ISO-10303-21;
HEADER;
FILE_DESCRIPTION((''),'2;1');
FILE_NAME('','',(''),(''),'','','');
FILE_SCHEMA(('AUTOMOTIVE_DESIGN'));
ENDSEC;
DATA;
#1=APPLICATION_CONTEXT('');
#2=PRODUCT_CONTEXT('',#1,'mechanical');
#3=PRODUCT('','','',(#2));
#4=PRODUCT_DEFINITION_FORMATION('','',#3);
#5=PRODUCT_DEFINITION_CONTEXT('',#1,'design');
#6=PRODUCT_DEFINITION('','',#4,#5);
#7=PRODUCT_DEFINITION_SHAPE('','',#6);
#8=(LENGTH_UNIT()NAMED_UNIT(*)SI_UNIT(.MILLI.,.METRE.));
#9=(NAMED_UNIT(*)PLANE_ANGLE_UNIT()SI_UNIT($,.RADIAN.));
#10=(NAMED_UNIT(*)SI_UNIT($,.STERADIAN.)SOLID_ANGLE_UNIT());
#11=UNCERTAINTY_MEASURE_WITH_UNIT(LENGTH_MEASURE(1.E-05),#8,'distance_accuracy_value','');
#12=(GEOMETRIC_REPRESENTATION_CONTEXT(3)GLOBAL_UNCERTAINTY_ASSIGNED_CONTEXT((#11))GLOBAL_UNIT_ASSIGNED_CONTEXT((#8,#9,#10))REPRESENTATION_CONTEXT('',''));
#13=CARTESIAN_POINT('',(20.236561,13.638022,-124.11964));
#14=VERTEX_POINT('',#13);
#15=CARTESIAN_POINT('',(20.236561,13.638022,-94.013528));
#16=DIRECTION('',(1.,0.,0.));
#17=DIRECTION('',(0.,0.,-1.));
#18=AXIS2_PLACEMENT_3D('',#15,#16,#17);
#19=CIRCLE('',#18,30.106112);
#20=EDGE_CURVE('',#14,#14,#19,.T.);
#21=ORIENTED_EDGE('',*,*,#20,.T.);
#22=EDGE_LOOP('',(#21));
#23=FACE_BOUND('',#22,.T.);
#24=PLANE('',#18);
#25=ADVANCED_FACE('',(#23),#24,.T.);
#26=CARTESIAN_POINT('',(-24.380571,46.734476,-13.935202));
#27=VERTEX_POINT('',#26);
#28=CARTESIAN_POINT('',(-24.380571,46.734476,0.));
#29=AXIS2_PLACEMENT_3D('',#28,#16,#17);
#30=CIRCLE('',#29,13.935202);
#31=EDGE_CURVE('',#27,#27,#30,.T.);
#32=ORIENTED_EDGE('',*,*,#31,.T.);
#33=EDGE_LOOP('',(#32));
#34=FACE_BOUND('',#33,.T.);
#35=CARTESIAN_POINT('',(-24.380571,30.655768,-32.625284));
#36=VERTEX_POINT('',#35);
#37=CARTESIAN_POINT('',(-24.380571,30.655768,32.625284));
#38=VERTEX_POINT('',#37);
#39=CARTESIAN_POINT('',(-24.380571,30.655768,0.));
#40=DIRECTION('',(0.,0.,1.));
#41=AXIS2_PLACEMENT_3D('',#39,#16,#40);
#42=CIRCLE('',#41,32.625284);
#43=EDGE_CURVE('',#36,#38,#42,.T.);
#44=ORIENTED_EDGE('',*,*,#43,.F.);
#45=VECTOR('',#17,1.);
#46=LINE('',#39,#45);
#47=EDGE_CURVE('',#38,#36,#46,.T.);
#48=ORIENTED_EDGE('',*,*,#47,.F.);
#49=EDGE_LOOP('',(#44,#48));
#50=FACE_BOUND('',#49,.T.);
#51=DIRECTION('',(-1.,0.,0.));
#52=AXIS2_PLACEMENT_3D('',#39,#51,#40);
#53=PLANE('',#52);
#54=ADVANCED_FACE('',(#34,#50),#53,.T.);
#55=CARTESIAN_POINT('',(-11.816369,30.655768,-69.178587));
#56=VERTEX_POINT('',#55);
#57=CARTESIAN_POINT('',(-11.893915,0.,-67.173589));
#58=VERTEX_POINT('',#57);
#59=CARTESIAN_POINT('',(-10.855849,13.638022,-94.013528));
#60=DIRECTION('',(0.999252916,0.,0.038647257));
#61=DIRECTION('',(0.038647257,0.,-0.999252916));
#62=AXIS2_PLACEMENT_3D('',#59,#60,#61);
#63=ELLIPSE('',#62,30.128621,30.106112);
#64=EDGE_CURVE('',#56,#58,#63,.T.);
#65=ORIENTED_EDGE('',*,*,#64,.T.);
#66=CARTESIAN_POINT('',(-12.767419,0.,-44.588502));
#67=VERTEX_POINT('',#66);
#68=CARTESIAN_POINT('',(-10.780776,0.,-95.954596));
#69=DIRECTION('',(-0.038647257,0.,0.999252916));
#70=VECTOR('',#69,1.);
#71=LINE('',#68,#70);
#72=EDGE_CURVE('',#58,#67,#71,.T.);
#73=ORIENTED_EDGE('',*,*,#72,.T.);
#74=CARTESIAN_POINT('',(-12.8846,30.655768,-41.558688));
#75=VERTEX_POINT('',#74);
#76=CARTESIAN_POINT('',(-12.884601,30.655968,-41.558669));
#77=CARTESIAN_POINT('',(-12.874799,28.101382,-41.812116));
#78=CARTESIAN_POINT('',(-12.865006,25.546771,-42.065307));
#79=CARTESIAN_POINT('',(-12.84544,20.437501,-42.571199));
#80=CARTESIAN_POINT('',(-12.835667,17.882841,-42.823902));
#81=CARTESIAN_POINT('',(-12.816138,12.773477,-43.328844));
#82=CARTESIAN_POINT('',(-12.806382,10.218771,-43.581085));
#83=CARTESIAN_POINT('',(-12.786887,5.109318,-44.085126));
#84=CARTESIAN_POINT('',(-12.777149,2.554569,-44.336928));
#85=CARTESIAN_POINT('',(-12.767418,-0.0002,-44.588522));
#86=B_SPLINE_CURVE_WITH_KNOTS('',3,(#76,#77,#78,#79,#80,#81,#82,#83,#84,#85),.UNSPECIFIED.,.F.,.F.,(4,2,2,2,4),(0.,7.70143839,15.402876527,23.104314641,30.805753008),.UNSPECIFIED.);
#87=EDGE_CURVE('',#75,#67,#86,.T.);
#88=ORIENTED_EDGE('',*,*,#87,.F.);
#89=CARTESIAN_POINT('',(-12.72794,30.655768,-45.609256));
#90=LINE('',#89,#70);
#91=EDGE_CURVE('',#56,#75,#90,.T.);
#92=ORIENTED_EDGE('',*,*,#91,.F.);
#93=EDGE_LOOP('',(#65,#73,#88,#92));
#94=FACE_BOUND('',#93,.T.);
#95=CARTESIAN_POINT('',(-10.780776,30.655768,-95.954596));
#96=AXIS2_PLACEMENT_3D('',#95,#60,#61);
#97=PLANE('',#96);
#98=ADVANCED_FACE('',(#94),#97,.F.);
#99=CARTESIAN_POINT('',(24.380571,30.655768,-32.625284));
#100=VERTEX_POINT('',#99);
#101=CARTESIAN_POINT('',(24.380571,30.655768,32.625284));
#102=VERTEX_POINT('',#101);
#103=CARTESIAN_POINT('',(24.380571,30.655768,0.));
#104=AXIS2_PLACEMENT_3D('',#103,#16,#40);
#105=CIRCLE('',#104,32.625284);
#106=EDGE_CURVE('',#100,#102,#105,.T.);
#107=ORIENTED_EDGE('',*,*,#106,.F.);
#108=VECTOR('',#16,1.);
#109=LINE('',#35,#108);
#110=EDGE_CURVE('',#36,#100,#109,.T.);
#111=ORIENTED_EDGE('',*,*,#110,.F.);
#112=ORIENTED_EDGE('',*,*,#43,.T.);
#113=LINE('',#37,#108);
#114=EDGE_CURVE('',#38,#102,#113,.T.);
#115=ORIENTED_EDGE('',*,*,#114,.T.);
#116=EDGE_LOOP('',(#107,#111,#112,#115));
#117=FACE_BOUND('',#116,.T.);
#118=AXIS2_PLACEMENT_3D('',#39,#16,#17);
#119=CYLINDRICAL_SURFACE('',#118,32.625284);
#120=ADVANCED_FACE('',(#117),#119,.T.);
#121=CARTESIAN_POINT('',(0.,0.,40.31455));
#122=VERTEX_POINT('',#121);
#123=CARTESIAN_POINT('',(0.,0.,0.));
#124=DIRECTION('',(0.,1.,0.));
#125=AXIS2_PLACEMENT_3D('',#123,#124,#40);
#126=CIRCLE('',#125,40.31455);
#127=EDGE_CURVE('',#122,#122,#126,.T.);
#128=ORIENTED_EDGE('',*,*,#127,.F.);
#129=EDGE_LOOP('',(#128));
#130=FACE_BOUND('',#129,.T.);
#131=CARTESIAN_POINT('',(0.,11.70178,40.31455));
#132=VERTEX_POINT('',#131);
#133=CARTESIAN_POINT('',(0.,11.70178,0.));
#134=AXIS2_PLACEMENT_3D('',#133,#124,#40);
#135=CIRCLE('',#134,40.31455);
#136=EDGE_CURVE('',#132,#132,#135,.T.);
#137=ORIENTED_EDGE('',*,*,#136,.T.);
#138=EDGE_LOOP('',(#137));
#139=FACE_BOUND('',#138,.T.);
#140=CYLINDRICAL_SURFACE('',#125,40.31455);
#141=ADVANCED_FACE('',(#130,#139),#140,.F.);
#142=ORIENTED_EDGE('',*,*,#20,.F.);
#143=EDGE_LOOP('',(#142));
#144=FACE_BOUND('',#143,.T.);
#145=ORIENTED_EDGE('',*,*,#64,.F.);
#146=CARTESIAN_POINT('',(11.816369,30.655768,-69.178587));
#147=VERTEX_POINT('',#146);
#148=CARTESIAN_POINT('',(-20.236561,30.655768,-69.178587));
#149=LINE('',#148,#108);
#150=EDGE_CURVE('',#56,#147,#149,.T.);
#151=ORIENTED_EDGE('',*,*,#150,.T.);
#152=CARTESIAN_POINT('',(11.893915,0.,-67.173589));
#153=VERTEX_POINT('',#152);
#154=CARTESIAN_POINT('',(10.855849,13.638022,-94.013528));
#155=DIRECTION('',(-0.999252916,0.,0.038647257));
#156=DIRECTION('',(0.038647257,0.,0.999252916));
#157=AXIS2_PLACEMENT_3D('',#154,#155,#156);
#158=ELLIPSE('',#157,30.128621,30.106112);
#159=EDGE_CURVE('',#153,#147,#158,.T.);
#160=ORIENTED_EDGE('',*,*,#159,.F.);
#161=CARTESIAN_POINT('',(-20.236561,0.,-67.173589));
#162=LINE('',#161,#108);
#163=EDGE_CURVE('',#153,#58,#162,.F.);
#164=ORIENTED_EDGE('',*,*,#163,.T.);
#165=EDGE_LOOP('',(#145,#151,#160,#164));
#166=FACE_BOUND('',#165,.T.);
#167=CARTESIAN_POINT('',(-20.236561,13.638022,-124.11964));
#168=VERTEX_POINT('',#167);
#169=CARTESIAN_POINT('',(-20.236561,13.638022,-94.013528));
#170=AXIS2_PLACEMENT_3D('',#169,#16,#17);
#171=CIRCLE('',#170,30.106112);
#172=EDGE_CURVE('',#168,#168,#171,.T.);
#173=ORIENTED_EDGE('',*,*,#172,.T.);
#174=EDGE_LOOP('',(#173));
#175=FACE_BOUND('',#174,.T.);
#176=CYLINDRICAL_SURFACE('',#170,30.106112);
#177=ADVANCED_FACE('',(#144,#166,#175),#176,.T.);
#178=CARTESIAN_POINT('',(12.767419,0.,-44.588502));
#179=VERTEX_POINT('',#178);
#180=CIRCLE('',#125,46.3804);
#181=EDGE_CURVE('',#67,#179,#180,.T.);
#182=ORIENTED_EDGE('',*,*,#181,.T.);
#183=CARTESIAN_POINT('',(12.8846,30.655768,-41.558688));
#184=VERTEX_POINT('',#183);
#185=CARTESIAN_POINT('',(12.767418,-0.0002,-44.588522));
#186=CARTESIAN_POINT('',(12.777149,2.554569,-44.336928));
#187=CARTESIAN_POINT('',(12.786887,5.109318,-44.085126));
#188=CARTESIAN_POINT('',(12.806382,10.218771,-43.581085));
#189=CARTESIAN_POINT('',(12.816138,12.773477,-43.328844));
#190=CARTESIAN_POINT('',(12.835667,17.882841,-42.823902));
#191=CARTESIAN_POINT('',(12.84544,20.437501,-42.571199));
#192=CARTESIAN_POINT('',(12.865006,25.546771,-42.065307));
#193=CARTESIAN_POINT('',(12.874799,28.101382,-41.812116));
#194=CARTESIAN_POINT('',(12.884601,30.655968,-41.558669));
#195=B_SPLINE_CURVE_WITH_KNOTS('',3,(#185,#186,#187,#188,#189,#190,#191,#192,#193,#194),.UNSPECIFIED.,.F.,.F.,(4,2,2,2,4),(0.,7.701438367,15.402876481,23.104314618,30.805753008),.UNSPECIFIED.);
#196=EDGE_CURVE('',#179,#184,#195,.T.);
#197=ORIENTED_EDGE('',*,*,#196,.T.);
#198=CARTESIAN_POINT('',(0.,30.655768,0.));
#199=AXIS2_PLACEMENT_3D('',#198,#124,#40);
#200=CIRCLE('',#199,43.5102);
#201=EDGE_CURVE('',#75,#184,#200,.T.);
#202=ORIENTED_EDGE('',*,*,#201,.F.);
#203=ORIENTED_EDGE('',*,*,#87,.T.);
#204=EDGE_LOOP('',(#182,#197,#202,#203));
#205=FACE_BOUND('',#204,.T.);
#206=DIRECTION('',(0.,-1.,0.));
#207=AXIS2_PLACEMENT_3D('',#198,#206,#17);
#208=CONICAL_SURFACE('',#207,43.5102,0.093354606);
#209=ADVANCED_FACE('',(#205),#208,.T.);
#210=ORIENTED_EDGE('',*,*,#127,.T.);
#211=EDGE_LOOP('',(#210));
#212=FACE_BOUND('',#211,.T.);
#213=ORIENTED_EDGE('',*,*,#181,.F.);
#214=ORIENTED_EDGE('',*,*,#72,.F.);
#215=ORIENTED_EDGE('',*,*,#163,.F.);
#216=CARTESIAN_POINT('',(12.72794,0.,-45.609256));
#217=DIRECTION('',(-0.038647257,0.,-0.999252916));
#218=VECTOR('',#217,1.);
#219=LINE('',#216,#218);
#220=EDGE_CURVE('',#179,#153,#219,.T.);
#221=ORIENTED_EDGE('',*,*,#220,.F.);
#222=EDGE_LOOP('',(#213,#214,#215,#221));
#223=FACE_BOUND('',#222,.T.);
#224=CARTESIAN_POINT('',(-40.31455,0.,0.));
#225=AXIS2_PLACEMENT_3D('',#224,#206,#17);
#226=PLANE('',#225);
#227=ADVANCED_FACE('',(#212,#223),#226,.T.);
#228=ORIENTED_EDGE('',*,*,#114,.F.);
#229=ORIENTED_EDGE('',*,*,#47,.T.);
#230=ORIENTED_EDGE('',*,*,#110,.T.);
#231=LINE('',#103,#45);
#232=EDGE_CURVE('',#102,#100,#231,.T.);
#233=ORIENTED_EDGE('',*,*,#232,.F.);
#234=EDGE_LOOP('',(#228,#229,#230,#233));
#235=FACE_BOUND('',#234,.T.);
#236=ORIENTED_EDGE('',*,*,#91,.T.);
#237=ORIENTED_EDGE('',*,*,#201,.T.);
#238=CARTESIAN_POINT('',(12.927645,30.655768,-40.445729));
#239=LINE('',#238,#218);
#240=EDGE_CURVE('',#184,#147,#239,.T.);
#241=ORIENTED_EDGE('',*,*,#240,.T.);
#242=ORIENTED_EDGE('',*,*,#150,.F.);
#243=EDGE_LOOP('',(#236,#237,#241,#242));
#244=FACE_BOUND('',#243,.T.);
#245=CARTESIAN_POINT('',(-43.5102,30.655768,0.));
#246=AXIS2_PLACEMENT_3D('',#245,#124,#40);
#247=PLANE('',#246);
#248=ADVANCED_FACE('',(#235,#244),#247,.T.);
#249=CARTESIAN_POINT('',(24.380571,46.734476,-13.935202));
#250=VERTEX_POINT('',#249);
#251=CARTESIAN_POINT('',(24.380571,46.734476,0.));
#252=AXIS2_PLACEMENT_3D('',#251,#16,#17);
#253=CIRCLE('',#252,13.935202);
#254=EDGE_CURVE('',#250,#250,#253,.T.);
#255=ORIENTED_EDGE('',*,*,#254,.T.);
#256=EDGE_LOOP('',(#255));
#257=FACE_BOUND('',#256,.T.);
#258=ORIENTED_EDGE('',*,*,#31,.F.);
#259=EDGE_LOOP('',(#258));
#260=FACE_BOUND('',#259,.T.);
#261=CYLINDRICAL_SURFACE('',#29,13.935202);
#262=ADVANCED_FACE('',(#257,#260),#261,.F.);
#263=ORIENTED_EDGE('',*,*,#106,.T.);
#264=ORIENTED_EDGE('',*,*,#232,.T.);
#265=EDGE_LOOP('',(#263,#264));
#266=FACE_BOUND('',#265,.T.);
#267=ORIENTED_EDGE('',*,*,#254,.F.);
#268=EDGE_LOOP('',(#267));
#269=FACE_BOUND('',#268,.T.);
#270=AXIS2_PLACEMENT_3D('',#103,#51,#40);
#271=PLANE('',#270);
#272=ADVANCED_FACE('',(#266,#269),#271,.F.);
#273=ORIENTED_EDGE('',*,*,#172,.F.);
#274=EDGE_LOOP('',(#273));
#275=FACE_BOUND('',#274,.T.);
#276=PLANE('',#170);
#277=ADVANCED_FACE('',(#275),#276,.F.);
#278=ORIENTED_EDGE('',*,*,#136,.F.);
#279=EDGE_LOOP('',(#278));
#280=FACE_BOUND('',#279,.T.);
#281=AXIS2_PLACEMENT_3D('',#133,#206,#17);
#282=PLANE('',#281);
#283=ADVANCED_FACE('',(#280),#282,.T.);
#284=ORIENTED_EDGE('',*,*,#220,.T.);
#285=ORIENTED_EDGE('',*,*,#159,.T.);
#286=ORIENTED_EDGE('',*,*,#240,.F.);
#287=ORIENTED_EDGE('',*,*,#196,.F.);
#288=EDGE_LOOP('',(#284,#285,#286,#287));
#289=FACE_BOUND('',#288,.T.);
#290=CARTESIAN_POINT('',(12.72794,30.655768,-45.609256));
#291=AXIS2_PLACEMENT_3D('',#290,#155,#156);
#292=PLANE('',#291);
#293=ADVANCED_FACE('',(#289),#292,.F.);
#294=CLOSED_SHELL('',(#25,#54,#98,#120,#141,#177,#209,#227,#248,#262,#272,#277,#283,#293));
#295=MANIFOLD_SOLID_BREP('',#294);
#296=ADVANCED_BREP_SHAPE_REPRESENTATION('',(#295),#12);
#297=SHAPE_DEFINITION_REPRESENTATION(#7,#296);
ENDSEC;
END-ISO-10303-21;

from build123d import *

# Parameters (mm, degrees)
BOSS_EXTRUDE1_DEPTH      = 24.380571
BOSS_EXTRUDE1_DEPTH_BACK = 24.380571
SKETCH2_R                = 13.935202
BOSS_EXTRUDE2_DEPTH      = 30.655768
BOSS_EXTRUDE3_DEPTH      = 20.236561
BOSS_EXTRUDE3_DEPTH_BACK = 20.236561
SKETCH5_R                = 30.106112


with BuildPart() as part:
    # Sketch1 → Revolve1 (revolve)
    with BuildSketch(Plane.XY):
        Polygon((-40.3145498, 0), (-46.3804, 0), (-43.5102, 30.655768), (0, 30.655768), (0, 11.70178), (-40.3145498, 11.70178), align=None)
    revolve(axis=Axis((0, 0, 0), (0, -1, 0)))

    # Sketch2 → Boss-Extrude1 (add, two sides: drawn at the far end of the back side and taken through both)
    with BuildSketch(Plane(origin=(0, 0, 0), x_dir=(0, 0, -1), z_dir=(1, 0, 0)).offset(-BOSS_EXTRUDE1_DEPTH_BACK)):
        with BuildLine():
            Line((0, 30.655768), (-32.625284, 30.655768))
            ThreePointArc((-32.625284, 30.655768), (0, 63.281052), (32.625284, 30.655768))
            Line((32.625284, 30.655768), (0, 30.655768))
        make_face()
        with Locations((0, 46.734476)):
            Circle(SKETCH2_R, mode=Mode.SUBTRACT)
    extrude(amount=BOSS_EXTRUDE1_DEPTH + BOSS_EXTRUDE1_DEPTH_BACK)

    # Sketch4 → Boss-Extrude2 (add)
    with BuildSketch(Plane(origin=(0, 0, 0), x_dir=(1, 0, 0), z_dir=(0, 1, 0))):
        Polygon((12.72794, 45.609256), (10.780776, 95.954596), (-10.780776, 95.954596), (-12.72794, 45.609256), (-12.927645356, 40.445728926), (12.927645356, 40.445728926), align=None)
    extrude(amount=BOSS_EXTRUDE2_DEPTH)

    # Sketch5 → Boss-Extrude3 (add, two sides: drawn at the far end of the back side and taken through both)
    with BuildSketch(Plane(origin=(0, 0, 0), x_dir=(0, 0, -1), z_dir=(1, 0, 0)).offset(-BOSS_EXTRUDE3_DEPTH_BACK)):
        with Locations((94.013528, 13.638022)):
            Circle(SKETCH5_R)
    extrude(amount=BOSS_EXTRUDE3_DEPTH + BOSS_EXTRUDE3_DEPTH_BACK)


solid = part.part
